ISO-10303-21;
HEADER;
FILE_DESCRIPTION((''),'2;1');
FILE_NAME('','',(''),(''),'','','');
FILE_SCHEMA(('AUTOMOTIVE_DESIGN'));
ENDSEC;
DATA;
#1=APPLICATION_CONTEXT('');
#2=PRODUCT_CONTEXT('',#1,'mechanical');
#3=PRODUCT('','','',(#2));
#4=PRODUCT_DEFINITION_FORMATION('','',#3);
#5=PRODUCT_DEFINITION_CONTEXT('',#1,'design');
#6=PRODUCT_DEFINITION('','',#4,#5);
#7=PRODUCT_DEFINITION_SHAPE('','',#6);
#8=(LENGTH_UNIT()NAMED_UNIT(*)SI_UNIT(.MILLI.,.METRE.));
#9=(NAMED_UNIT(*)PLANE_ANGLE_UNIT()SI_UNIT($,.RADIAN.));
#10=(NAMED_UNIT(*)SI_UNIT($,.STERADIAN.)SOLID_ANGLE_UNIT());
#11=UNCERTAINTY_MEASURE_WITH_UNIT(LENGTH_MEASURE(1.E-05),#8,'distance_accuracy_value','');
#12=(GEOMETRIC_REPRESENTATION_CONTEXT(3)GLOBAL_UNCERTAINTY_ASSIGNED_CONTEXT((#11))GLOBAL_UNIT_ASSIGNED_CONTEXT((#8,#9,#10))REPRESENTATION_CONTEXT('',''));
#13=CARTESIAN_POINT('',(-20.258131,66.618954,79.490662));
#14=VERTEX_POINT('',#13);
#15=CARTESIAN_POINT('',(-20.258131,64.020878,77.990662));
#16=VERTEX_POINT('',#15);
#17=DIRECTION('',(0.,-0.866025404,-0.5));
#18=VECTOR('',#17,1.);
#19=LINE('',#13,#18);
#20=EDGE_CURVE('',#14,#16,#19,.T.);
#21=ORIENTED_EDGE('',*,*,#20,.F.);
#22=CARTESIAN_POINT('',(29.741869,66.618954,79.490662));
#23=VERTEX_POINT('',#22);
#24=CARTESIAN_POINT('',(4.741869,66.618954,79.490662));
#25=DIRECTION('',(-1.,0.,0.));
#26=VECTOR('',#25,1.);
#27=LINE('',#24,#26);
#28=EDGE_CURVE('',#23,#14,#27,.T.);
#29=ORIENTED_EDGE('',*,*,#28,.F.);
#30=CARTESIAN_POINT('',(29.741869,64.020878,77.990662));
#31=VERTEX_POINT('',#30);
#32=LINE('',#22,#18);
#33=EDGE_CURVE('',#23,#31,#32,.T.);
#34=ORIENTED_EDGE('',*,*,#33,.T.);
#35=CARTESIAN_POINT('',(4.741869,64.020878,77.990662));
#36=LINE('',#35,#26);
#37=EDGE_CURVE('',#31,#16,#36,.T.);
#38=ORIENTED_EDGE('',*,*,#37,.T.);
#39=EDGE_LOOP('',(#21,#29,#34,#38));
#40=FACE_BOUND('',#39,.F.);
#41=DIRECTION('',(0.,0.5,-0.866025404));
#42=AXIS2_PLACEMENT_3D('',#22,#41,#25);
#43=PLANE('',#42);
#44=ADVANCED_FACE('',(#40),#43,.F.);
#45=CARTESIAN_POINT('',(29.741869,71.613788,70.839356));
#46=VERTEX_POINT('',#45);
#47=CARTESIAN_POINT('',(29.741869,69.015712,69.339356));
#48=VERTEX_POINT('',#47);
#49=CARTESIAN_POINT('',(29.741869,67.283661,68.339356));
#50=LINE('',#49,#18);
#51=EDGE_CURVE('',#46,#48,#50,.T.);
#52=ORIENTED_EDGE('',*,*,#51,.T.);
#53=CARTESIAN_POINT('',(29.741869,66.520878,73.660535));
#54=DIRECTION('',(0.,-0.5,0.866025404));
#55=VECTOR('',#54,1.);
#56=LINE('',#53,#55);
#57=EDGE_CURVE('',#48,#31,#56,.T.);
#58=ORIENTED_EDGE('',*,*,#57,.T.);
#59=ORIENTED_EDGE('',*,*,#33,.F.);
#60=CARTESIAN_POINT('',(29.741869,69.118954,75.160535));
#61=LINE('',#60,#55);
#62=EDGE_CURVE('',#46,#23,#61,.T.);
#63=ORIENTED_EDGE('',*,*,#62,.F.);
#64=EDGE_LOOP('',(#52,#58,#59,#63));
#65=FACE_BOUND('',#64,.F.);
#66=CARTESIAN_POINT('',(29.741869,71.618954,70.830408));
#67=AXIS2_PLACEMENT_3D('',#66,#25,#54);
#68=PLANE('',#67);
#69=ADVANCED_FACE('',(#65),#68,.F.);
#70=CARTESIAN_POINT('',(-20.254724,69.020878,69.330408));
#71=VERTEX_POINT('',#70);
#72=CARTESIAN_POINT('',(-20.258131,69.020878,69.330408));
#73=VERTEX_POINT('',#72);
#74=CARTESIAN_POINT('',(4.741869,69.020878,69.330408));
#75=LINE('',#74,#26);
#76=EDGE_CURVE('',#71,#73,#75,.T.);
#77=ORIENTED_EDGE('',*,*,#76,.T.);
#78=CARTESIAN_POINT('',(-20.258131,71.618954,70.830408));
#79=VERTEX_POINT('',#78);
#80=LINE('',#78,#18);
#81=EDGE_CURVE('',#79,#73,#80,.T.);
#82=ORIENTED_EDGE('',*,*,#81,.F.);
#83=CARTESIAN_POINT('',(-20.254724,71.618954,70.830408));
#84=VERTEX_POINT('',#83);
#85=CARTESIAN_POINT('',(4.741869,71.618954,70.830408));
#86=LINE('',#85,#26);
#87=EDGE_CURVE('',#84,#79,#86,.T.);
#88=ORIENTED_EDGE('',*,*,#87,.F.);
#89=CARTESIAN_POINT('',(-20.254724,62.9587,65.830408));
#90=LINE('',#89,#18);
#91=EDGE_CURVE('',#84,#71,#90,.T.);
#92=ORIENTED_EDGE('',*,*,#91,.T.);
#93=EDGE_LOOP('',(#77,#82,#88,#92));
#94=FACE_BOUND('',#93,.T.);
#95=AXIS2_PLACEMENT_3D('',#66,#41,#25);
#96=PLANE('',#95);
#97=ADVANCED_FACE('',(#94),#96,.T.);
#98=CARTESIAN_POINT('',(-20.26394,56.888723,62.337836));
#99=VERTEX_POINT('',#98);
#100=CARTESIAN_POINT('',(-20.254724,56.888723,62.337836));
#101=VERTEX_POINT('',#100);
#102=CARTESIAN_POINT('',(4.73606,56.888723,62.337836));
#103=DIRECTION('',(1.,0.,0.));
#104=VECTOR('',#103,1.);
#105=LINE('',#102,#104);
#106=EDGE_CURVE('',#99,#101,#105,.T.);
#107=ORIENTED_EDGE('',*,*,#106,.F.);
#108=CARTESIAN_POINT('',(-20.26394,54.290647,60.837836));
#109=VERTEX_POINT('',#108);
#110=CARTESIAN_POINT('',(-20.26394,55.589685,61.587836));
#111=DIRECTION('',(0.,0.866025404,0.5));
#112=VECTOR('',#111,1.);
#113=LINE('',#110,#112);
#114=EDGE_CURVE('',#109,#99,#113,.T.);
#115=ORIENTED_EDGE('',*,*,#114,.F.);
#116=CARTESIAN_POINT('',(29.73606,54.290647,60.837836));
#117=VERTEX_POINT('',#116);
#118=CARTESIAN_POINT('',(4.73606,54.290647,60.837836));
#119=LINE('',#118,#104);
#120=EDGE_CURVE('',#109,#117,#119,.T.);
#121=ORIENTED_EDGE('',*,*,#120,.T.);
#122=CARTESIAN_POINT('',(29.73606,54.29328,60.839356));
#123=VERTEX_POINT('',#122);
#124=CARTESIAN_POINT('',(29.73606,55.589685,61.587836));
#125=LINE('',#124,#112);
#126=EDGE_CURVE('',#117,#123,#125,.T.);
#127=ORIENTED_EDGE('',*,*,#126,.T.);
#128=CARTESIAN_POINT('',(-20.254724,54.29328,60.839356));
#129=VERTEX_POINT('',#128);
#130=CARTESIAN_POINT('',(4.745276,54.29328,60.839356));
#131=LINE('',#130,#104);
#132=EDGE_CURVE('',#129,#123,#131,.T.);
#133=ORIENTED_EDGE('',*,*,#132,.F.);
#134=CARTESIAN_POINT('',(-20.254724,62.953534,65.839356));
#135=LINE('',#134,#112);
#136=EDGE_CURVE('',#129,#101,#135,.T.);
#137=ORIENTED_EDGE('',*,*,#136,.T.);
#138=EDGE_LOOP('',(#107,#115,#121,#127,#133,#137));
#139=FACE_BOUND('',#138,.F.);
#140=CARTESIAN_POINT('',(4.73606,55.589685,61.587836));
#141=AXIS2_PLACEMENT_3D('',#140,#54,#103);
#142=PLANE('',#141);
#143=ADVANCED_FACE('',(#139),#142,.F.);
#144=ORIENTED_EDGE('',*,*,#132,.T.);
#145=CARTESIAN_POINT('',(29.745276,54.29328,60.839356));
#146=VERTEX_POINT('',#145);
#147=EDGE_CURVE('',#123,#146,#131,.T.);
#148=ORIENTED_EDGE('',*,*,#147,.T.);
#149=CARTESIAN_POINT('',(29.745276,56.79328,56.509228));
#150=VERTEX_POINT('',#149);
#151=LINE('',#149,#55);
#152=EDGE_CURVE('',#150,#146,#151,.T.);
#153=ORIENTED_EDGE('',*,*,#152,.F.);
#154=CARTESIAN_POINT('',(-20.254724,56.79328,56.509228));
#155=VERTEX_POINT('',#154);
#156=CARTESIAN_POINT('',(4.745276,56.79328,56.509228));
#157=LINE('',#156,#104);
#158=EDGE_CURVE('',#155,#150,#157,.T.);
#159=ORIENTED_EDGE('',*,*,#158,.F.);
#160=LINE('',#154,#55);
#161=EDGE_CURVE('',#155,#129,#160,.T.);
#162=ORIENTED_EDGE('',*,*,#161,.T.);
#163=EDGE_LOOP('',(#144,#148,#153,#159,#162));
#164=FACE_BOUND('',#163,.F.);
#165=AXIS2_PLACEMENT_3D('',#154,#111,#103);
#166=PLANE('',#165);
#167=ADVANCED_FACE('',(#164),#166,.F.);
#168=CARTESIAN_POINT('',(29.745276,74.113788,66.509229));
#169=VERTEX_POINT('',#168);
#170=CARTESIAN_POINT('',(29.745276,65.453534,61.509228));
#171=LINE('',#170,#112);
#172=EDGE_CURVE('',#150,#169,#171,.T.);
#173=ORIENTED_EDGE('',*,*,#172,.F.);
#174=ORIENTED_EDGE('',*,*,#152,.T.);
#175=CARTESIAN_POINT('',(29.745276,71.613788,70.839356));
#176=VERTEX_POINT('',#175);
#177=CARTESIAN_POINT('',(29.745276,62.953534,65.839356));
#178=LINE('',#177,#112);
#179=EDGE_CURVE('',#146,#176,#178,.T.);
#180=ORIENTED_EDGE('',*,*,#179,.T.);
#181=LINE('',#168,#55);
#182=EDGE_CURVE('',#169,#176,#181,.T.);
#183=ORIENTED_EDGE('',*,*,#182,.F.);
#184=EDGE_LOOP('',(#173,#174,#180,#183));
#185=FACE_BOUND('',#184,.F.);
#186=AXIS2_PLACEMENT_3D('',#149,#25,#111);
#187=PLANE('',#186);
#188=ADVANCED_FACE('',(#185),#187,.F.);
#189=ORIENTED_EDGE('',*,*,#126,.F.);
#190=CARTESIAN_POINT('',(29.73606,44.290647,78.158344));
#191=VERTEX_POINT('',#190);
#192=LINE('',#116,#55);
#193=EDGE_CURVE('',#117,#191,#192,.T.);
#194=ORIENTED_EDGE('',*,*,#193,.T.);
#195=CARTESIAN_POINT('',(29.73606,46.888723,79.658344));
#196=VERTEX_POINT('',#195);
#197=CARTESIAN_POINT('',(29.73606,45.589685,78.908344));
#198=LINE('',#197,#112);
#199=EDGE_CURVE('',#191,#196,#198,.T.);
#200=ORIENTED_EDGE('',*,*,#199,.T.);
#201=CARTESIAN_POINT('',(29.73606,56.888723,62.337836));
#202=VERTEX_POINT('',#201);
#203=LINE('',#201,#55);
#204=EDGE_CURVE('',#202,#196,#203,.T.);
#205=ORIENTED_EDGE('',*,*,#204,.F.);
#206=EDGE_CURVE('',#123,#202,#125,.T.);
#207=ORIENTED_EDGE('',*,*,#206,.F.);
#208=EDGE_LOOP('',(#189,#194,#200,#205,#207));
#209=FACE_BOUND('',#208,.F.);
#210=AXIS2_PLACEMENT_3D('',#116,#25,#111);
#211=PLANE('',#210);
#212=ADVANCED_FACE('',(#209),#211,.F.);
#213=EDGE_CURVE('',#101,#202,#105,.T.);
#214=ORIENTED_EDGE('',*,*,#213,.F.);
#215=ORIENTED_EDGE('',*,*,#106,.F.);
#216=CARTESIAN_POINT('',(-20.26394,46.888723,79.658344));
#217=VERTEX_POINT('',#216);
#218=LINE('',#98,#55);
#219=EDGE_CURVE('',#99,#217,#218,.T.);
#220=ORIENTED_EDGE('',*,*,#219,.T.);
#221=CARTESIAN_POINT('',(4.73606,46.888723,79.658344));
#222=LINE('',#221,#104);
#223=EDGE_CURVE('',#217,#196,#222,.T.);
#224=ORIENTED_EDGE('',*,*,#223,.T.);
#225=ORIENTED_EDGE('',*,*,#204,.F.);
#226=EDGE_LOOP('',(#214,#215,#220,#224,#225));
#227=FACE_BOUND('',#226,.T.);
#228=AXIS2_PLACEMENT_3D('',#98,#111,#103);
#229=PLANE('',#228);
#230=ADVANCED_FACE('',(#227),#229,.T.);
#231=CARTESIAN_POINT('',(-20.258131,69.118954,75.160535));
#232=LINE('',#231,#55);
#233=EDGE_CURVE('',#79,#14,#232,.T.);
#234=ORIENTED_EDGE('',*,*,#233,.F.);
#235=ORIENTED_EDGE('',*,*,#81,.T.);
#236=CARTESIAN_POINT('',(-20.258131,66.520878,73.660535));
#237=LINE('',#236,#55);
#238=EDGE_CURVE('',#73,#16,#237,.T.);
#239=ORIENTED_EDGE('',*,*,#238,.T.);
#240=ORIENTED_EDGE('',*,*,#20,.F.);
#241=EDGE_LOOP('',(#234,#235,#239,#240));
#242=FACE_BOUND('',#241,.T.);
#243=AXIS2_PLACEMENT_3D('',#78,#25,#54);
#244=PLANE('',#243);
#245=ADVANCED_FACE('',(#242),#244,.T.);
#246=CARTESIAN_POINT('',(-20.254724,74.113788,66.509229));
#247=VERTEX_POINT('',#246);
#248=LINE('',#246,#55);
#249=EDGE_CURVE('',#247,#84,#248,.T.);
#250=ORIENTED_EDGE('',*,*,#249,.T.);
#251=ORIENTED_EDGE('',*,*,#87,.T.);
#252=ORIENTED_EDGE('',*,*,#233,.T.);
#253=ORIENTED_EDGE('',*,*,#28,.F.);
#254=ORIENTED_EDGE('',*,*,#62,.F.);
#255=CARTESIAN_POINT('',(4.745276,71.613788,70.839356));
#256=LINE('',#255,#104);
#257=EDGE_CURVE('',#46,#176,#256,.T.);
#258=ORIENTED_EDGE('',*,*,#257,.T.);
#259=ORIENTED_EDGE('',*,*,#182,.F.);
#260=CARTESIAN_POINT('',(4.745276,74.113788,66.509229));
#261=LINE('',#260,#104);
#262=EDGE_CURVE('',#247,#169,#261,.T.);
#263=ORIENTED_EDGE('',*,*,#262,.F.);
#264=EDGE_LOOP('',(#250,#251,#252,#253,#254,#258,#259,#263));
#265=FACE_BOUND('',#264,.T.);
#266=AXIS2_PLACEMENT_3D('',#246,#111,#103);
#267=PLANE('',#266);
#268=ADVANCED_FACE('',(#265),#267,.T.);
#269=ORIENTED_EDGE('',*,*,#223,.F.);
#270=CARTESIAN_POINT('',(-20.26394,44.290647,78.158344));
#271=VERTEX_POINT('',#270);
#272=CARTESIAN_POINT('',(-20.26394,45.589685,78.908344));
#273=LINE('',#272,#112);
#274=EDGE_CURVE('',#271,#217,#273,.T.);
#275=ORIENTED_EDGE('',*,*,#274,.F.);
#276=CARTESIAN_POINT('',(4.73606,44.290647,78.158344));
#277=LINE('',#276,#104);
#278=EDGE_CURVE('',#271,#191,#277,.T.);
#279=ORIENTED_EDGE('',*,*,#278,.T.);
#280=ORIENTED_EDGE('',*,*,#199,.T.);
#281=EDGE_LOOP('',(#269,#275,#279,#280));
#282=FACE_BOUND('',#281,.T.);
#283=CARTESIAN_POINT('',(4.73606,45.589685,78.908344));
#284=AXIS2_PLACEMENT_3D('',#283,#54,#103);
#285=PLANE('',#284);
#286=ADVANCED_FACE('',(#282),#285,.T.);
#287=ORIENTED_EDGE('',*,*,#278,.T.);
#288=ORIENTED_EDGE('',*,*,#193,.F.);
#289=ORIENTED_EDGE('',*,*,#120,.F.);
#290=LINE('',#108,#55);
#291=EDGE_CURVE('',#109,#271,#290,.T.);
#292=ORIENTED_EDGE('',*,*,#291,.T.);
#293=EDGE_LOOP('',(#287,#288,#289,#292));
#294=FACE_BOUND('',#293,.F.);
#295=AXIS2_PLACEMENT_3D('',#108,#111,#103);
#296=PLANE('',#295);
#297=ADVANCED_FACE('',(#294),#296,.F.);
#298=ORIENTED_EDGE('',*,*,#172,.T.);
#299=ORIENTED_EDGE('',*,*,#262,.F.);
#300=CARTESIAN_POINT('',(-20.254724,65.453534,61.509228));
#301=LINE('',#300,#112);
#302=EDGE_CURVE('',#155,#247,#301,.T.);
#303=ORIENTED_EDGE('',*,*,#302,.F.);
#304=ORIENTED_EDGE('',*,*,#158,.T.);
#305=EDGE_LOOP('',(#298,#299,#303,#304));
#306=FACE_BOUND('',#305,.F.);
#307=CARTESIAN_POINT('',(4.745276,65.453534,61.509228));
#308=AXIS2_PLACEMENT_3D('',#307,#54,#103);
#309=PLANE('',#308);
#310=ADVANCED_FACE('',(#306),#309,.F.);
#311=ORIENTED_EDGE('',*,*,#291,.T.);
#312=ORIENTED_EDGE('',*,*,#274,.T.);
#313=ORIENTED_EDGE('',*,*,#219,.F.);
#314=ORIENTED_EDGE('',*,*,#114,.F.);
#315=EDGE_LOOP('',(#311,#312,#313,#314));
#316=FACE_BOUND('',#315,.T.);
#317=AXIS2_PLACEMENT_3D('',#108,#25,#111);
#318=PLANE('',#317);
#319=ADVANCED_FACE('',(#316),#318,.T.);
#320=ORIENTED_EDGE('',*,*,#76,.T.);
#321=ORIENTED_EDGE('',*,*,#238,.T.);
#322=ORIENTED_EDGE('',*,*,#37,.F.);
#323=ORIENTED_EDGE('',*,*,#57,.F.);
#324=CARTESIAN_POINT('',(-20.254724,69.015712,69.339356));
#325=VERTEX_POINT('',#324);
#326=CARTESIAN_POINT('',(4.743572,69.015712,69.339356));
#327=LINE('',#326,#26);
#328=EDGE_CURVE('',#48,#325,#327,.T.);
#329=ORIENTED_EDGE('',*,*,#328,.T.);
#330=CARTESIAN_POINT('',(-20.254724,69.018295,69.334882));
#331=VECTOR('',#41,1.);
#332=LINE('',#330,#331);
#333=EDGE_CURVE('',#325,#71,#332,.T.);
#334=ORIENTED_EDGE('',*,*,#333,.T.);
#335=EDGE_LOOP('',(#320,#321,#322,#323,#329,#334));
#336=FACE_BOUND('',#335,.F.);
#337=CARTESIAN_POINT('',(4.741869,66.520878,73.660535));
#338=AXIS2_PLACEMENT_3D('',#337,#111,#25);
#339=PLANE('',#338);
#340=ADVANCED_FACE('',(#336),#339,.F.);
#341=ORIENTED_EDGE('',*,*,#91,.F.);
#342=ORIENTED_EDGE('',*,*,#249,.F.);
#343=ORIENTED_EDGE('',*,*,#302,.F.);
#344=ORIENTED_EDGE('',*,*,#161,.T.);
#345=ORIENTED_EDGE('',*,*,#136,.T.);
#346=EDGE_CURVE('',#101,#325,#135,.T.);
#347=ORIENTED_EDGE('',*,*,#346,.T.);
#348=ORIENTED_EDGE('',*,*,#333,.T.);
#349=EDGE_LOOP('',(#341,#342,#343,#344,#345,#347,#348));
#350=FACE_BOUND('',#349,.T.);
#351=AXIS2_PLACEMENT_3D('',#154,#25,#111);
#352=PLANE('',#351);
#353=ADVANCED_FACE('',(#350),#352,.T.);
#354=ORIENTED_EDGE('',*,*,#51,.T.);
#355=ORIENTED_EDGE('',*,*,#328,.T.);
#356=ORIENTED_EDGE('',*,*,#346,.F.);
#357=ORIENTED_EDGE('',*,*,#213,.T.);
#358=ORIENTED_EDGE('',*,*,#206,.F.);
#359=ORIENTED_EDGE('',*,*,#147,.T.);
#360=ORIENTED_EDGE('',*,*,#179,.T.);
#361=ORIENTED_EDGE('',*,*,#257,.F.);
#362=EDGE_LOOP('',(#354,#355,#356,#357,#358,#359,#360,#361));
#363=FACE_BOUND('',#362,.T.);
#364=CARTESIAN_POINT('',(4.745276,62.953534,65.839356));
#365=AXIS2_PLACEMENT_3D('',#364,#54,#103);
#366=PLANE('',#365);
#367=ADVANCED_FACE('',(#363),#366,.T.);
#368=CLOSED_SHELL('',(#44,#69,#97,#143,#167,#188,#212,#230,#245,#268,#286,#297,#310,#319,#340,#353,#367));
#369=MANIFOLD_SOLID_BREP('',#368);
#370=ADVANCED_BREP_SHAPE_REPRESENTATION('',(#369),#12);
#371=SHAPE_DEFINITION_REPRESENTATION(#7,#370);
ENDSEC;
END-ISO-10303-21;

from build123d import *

# Parameters (mm, degrees)
SKETCH051_W             = 50
SKETCH051_H             = 20
PAD050_DEPTH            = 5
SKETCH052_W             = 50
SKETCH052_H             = 3
PAD051_DEPTH            = 20
SKETCH053_W             = 50
SKETCH053_H             = 10
PAD052_DEPTH            = 3
BODY041_PLACEMENT_ANGLE = 30


with BuildPart() as part:
    # Sketch051 → Pad050 (new body)
    with BuildSketch(Plane.XY):
        with Locations((184.845276, -123.914059)):
            Rectangle(SKETCH051_W, SKETCH051_H)
    extrude(amount=PAD050_DEPTH)

    # Sketch052 (on Face6 of Pad050) → Pad051 (join)
    with BuildSketch(Plane.XY.offset(5)):
        with Locations((184.83606, -132.417099)):
            Rectangle(SKETCH052_W, SKETCH052_H)
    extrude(amount=PAD051_DEPTH)

    # Sketch053 (on Face7 of Pad051) → Pad052 (join)
    with BuildSketch(Plane(origin=(0, -113.914059, 0), x_dir=(-1, 0, 0), z_dir=(0, 1, 0))):
        with Locations((-184.841869, 9.989668)):
            Rectangle(SKETCH053_W, SKETCH053_H)
    extrude(amount=-PAD052_DEPTH)


with BuildPart() as part_1:
    # Body041 placement: moved
    add(part.part.moved(Location((-180.1, 172.766257, 123.466258))).rotate(Axis((-180.1, 172.766257, 123.466258), (1, 0, 0)), BODY041_PLACEMENT_ANGLE))


solid = part_1.part
